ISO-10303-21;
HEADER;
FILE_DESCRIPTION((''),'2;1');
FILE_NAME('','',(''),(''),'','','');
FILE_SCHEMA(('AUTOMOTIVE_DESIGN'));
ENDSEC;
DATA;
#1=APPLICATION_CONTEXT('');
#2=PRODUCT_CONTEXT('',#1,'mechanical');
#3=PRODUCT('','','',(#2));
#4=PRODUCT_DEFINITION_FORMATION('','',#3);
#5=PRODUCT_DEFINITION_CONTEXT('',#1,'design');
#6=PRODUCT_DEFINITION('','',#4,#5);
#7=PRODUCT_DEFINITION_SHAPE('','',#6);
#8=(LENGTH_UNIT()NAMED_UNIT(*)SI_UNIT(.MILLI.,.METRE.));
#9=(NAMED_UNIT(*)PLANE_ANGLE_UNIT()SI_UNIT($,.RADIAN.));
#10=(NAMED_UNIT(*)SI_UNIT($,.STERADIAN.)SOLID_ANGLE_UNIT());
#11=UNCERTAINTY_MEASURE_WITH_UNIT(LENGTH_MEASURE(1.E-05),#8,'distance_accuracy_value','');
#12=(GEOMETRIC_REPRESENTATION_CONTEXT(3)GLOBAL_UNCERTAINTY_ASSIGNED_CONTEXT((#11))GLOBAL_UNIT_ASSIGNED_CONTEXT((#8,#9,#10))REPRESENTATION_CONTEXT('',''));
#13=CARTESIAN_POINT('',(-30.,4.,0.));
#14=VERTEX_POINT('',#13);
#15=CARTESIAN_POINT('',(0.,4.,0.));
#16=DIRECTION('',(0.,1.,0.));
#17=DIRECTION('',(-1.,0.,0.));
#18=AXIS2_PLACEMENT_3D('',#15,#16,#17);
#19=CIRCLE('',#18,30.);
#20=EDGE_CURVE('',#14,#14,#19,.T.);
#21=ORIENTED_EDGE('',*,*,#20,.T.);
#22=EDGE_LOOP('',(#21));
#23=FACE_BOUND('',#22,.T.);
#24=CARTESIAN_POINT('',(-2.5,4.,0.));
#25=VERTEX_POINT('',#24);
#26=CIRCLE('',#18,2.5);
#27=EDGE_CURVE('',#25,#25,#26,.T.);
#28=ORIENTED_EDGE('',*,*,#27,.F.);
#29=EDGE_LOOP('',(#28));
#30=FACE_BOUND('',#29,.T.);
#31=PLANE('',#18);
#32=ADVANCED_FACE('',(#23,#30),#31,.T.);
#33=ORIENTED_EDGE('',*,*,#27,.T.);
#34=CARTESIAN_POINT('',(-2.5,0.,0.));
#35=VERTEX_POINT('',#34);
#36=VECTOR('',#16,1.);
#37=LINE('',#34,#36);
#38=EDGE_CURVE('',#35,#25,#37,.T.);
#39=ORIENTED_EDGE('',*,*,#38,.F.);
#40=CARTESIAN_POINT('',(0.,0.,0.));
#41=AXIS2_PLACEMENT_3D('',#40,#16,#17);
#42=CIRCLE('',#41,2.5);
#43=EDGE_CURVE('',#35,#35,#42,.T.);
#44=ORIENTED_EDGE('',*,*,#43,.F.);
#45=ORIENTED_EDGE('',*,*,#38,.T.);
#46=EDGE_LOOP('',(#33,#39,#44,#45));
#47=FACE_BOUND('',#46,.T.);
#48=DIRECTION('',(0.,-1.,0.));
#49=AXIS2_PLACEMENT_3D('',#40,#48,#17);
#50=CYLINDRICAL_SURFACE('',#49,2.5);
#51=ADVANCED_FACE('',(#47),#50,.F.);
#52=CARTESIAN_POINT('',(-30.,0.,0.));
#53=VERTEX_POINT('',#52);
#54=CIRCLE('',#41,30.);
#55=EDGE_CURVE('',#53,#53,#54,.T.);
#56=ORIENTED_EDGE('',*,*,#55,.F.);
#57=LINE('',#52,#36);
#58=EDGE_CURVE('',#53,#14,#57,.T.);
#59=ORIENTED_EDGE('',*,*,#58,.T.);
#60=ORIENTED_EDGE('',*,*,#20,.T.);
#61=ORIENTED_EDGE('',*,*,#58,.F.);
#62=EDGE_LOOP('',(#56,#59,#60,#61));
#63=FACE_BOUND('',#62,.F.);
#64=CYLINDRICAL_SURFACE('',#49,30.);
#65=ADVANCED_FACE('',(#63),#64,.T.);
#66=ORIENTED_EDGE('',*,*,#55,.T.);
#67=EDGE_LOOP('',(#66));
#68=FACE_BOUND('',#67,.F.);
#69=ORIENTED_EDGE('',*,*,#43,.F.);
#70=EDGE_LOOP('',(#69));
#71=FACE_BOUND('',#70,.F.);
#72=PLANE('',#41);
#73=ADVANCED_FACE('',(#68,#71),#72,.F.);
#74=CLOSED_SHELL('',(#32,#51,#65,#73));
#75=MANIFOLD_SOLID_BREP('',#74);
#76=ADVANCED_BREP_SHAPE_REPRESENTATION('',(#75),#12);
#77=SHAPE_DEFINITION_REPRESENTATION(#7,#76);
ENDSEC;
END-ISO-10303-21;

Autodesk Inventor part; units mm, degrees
ref_plane "YZ Plane" through (0, 0, 0) normal (1, 0, 0) x (0, 1, 0)
ref_plane "XZ Plane" through (0, 0, 0) normal (0, 1, 0) x (-1, 0, 0)
ref_plane "XY Plane" through (0, 0, 0) normal (0, 0, 1) x (1, 0, 0)
sketch "Sketch1" plane through (0, 0, 0) normal (0, 1, 0) x (-1, 0, 0)
  circle A0 centre (0, 0) radius 30
  circle A1 centre (0, 0) radius 2.5
  dimension "d0" = 60
  dimension "d1" = 5
extrude "Extrusion1" add sketch "Sketch1" along normal blind 4
properties part number "wheel"
